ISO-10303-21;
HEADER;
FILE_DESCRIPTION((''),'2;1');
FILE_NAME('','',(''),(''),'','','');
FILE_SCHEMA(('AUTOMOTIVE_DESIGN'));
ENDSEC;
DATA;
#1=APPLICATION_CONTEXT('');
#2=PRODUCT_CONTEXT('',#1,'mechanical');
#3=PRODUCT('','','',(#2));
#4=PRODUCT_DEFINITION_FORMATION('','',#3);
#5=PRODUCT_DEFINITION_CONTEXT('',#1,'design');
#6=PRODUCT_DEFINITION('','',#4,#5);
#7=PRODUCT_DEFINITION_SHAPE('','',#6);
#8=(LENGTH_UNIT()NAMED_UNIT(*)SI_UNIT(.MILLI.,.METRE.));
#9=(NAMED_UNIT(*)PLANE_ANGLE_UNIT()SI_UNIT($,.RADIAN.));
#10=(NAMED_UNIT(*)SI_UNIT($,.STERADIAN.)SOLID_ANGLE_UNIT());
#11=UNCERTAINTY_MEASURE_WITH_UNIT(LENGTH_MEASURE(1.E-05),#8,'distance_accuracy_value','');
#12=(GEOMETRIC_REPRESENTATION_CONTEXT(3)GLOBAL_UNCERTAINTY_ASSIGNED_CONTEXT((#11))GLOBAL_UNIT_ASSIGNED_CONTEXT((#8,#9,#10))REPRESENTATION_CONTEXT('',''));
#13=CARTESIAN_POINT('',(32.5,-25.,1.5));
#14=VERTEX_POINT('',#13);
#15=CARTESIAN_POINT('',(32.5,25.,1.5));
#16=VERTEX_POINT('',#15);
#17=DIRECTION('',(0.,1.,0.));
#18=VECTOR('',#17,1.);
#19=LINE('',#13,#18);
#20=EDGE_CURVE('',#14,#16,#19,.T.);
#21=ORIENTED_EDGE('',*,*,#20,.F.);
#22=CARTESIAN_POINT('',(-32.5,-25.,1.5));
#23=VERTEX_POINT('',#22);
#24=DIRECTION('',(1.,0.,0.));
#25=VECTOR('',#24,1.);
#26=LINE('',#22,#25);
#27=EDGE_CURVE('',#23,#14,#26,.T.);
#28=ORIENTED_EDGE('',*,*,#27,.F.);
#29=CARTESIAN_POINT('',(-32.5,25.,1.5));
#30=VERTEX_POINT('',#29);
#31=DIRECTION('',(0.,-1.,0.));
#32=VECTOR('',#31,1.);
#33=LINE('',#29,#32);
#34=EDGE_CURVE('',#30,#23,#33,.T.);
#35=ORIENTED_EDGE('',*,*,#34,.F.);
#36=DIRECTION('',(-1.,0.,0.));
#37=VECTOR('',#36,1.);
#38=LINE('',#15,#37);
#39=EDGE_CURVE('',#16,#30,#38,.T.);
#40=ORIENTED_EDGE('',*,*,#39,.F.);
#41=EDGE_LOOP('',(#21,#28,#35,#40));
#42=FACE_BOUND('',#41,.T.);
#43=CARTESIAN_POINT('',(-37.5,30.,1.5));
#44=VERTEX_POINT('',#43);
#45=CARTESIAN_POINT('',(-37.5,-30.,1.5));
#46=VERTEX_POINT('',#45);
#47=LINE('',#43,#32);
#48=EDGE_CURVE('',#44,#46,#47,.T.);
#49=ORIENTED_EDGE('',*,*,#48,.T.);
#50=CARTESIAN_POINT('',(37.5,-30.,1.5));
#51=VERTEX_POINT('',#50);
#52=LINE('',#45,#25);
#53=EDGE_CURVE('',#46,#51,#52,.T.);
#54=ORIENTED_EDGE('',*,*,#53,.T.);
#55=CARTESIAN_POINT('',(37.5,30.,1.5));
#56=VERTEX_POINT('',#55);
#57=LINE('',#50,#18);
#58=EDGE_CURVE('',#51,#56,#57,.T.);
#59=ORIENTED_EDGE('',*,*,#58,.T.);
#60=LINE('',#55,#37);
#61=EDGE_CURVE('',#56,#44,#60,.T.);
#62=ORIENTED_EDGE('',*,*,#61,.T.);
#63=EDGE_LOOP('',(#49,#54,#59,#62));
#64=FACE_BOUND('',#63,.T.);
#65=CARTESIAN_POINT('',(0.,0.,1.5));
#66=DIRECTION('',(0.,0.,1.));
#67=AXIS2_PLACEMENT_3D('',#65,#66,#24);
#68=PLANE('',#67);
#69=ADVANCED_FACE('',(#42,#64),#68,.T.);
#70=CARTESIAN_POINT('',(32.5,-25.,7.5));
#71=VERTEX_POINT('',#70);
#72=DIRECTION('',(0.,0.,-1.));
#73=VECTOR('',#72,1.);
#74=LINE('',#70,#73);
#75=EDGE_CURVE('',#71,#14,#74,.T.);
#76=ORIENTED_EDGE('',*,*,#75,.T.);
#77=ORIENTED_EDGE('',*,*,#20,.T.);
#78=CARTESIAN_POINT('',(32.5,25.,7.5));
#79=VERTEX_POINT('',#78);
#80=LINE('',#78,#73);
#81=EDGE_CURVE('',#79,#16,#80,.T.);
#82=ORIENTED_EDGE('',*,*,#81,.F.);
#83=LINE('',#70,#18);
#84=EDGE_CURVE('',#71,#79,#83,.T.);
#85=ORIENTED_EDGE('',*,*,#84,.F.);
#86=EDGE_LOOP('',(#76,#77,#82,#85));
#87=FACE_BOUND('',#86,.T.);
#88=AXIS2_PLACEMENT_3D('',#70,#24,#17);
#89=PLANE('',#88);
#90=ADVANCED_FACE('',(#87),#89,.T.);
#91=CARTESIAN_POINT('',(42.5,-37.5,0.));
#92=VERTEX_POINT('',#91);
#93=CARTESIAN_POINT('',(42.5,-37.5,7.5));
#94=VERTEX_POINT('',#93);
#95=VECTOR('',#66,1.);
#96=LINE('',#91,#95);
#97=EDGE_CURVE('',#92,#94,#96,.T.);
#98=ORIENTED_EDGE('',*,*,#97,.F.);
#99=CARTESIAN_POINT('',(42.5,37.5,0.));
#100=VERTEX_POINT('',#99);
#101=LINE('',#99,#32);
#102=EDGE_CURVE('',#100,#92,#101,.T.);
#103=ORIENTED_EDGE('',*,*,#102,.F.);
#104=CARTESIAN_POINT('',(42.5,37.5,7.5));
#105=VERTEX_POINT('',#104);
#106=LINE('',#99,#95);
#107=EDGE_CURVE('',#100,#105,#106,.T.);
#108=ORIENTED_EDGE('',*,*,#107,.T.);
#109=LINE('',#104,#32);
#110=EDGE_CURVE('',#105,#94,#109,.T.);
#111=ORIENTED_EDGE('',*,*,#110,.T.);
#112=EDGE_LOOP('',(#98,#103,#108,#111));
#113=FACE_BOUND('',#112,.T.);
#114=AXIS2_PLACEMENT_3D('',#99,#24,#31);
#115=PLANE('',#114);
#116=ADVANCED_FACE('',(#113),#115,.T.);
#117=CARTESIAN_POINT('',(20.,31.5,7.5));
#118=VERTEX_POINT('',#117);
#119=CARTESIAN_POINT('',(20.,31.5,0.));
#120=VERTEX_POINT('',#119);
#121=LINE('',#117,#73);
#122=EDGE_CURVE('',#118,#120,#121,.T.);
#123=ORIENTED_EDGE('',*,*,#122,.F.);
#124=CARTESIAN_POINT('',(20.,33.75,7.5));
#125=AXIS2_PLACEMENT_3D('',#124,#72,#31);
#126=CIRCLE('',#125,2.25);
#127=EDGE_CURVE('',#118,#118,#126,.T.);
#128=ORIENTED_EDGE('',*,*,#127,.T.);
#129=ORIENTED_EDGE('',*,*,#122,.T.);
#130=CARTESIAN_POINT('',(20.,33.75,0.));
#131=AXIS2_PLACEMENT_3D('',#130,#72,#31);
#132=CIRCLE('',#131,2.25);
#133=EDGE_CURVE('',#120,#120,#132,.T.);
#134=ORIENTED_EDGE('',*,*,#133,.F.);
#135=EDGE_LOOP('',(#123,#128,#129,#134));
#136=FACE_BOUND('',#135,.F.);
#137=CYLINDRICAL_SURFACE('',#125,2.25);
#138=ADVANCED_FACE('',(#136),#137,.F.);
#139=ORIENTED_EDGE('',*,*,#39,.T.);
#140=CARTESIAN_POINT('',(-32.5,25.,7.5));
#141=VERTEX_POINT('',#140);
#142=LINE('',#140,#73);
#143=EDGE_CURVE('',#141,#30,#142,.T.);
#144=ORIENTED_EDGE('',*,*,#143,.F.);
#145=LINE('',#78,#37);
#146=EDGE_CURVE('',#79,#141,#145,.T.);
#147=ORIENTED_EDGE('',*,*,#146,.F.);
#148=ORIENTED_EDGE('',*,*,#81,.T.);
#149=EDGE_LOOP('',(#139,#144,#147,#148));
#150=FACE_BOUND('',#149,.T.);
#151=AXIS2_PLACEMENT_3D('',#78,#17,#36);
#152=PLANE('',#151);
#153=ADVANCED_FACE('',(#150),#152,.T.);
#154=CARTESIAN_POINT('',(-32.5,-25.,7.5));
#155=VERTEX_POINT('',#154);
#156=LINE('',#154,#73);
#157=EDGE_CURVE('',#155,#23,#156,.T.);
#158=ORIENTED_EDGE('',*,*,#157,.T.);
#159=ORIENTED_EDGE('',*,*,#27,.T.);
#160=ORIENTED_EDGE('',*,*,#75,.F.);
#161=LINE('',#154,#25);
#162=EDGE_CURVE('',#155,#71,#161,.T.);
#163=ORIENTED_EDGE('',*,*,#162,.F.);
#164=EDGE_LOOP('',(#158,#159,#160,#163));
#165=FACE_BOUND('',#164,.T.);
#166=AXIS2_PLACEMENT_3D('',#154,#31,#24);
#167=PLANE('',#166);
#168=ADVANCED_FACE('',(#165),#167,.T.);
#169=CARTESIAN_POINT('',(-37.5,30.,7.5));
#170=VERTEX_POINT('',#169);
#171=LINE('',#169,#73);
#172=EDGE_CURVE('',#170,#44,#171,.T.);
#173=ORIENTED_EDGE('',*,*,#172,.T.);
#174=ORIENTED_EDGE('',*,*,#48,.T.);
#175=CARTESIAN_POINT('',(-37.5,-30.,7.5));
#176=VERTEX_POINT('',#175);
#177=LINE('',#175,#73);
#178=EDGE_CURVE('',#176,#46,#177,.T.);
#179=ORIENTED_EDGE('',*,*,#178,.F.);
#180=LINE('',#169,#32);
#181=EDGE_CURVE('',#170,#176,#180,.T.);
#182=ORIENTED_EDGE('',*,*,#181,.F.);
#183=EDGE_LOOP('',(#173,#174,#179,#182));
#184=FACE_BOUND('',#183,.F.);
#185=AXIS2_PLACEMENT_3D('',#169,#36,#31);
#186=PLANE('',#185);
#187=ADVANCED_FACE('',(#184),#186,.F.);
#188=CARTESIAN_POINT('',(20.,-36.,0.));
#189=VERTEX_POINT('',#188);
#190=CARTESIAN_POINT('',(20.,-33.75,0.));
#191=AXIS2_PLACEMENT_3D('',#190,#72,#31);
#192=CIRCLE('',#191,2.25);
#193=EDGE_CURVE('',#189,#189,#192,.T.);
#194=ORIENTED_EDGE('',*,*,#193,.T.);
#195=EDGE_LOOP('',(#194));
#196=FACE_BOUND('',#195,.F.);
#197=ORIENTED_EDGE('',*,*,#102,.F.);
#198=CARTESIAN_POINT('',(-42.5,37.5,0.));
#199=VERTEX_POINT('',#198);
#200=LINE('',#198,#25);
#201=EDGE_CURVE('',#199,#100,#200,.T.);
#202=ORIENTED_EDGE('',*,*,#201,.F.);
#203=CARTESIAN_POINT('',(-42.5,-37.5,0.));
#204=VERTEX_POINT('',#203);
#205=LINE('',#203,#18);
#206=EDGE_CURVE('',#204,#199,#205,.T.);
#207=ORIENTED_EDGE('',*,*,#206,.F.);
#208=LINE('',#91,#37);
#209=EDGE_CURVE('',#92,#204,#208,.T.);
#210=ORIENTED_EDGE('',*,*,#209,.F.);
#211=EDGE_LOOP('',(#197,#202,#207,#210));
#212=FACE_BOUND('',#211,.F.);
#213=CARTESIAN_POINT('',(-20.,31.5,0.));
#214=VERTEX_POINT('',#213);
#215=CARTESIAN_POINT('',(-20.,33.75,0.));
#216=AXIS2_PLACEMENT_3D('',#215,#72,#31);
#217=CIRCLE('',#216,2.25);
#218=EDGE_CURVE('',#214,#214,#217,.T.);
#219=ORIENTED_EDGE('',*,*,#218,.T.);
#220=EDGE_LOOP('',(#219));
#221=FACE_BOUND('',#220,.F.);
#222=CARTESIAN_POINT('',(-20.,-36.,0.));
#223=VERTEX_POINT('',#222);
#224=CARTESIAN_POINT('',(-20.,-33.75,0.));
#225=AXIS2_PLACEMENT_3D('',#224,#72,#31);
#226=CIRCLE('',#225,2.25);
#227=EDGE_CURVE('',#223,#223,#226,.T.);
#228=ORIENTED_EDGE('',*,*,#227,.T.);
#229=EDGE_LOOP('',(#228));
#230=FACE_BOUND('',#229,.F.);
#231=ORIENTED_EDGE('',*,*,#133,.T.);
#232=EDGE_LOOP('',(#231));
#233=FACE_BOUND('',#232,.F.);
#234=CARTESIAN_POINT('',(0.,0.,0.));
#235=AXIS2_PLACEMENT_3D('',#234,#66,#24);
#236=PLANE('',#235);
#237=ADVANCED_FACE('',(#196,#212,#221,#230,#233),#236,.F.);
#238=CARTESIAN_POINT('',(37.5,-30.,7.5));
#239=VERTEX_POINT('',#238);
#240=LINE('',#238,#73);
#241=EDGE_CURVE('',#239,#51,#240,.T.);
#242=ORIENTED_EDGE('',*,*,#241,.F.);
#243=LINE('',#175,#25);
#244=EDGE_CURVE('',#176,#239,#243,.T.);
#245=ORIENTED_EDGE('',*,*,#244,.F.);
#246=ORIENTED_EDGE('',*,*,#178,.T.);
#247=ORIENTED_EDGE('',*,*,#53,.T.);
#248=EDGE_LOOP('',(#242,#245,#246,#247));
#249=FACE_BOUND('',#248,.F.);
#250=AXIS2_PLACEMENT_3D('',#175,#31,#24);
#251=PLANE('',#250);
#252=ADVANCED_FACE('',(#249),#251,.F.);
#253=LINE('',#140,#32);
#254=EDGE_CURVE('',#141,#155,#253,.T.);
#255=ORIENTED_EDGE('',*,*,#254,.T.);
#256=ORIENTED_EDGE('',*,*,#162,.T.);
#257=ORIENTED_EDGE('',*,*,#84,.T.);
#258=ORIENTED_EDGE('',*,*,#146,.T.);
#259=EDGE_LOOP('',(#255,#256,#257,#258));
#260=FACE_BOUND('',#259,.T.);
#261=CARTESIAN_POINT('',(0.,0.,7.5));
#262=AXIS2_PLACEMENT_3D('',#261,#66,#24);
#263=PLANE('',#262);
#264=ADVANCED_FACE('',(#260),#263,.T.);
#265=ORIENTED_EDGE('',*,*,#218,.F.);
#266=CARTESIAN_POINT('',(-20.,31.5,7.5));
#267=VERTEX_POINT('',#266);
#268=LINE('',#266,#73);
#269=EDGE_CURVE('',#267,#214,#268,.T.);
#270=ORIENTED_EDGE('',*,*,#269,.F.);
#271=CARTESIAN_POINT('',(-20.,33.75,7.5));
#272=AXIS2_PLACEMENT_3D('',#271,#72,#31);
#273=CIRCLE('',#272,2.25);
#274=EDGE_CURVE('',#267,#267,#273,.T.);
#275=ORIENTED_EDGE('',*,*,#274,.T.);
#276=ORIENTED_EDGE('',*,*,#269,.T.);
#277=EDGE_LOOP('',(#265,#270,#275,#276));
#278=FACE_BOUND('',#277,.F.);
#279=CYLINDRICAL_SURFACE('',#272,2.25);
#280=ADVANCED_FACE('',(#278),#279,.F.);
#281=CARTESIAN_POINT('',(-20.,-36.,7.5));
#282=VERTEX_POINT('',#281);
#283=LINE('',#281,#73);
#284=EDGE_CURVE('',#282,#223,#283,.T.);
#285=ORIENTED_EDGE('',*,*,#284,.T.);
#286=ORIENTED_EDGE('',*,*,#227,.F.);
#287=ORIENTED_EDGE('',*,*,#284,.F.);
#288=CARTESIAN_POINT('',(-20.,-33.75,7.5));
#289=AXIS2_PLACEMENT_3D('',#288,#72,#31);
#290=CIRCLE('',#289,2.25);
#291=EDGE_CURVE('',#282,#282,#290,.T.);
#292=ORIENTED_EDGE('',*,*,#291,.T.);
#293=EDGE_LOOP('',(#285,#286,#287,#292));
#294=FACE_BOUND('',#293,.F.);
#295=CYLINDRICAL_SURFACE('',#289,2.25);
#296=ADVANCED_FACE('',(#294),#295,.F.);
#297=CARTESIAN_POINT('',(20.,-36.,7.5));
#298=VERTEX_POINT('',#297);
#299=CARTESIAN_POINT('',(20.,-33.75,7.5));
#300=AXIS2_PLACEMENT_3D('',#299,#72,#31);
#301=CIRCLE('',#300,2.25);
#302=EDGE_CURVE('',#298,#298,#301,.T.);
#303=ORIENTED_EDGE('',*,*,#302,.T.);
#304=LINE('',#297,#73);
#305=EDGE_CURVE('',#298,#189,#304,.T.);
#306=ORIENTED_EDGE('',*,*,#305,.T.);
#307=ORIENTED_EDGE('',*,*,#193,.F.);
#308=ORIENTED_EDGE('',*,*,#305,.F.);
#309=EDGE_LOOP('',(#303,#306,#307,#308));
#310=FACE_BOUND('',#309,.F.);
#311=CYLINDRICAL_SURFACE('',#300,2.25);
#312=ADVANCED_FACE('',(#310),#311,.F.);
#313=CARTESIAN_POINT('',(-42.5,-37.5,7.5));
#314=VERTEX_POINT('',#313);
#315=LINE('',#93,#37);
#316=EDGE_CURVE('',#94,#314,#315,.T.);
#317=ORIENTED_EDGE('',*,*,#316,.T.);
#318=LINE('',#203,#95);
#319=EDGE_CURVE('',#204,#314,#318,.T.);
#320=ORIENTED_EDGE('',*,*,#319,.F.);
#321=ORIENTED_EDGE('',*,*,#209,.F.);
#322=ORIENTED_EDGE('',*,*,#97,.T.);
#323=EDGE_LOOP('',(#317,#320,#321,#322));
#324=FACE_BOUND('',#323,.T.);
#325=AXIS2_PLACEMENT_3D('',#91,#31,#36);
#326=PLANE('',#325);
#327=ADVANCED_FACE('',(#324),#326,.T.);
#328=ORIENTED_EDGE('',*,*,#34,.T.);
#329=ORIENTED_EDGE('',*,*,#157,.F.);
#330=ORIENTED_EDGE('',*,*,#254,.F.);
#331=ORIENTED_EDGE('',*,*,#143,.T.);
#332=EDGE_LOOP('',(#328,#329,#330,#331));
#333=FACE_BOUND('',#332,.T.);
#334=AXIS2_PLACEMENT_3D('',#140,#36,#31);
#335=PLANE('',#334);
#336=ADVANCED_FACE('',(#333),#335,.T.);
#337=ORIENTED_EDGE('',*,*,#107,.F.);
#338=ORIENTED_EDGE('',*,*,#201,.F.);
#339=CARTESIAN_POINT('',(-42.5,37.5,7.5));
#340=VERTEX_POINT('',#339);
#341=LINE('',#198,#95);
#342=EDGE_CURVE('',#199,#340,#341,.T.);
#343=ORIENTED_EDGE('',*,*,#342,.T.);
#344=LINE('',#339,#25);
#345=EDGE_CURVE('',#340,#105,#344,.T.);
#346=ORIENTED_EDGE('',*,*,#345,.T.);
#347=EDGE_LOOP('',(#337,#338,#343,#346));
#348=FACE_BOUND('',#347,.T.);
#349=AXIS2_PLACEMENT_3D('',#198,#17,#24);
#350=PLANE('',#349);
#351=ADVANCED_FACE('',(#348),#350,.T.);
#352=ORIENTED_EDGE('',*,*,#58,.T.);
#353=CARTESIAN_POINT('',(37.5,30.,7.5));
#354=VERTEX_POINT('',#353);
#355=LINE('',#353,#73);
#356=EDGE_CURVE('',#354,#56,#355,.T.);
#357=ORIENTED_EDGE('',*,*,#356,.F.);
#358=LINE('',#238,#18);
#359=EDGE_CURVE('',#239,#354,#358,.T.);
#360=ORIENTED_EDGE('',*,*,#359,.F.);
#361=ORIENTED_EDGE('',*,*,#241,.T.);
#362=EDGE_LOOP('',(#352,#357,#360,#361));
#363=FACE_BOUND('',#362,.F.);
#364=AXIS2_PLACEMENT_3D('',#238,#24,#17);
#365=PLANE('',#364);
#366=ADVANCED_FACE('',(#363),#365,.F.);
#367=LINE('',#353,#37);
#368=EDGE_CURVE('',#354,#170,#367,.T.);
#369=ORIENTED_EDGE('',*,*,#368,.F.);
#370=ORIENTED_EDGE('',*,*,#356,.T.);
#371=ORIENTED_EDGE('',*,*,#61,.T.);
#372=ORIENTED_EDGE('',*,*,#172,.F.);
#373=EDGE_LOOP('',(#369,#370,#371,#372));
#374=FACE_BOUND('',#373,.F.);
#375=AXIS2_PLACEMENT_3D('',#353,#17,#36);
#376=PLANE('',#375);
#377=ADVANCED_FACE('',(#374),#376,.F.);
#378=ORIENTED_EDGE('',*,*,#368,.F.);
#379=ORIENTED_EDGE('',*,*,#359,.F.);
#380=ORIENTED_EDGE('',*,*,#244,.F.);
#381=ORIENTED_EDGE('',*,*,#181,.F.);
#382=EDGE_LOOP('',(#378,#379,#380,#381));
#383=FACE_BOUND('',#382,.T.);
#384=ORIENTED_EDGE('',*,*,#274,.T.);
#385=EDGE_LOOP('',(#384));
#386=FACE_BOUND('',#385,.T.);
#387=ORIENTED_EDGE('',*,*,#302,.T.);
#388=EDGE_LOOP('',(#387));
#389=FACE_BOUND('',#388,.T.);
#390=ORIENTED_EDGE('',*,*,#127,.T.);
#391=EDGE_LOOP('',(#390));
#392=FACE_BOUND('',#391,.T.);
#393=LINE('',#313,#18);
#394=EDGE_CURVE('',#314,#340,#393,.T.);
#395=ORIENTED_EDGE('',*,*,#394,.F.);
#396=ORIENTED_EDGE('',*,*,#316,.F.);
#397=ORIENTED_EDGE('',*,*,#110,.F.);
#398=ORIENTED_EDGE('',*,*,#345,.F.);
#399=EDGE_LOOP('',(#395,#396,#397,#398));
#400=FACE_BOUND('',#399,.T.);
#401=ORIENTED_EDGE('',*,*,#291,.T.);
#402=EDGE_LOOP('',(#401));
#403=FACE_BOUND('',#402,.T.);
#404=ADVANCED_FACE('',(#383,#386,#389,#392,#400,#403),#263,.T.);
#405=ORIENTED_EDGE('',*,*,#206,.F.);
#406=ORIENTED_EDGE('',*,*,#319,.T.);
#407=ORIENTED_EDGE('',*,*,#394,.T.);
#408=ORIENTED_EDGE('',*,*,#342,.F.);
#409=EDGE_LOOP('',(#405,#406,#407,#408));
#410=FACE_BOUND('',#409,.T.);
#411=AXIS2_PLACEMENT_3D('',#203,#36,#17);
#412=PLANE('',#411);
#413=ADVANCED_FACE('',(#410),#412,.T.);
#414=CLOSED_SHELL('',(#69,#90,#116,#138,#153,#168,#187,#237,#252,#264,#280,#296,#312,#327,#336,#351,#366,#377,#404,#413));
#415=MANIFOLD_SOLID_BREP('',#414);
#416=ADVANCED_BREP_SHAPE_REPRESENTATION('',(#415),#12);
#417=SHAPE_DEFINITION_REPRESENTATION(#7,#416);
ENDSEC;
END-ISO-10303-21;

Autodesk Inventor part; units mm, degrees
ref_plane "YZ Plane" through (0, 0, 0) normal (1, 0, 0) x (0, 1, 0)
ref_plane "XZ Plane" through (0, 0, 0) normal (0, 1, 0) x (-1, 0, 0)
ref_plane "XY Plane" through (0, 0, 0) normal (0, 0, 1) x (1, 0, 0)
sketch "Sketch1" plane through (0, 0, 0) normal (0, 0, 1) x (1, 0, 0)
  line L0 (-42.5, 37.5) -> (42.5, 37.5)
  line L1 (42.5, 37.5) -> (42.5, -37.5)
  line L2 (42.5, -37.5) -> (-42.5, -37.5)
  line L3 (-42.5, -37.5) -> (-42.5, 37.5)
  point P0 (0, 0)
  dimension "d0" = 85
  dimension "d1" = 75
  dimension "d2" = 37.5
  dimension "d3" = 42.5
extrude "Extrusion1" add sketch "Sketch1" along normal blind 7.5
sketch "Sketch2" plane through (0, 0, 7.5) normal (0, 0, 1) x (1, 0, 0)
  point P0 (0, 0)
  point P1 (20, -33.75)
  point P2 (-20, -33.75)
  point P3 (-20, 33.75)
  point P4 (20, 33.75)
  dimension "d6" = 40
  dimension "d7" = 20
  dimension "d8" = 67.5
  dimension "d9" = 33.75
hole "Hole1" at (20, -33.75, 7.5) at (-20, -33.75, 7.5) at (-20, 33.75, 7.5) at (20, 33.75, 7.5) direction (0, 0, -1) diameter 4.5 depth 9.525 tip angle 118 clearance for "Countersunk Flat Head Screw ISO 2009/7046" size "M4" standard "ISO"
sketch "Sketch3" plane through (0, 0, 7.5) normal (0, 0, 1) x (1, 0, 0)
  line L0 (-37.5, -30) -> (37.5, -30)
  line L1 (37.5, -30) -> (37.5, 30)
  line L2 (37.5, 30) -> (-37.5, 30)
  line L3 (-37.5, 30) -> (-37.5, -30)
  line L4 (-32.5, -25) -> (32.5, -25)
  line L5 (32.5, -25) -> (32.5, 25)
  line L6 (32.5, 25) -> (-32.5, 25)
  line L7 (-32.5, 25) -> (-32.5, -25)
  point P0 (0, 0)
  dimension "d19" = 75
  dimension "d22" = 60
  dimension "d23" = 30
  dimension "d24" = 5
  dimension "d26" = 37.5
  dimension "d27" = 5
  dimension "d29" = 5
  dimension "d30" = 5
extrude "Extrusion2" cut sketch "Sketch3" against normal blind 6
equation "\"d2\" = 0.5 * d1"
equation "\"d3\" = 0.5 * d0"
equation "\"d7\" = 0.5 * d6"
equation "\"d9\" = 0.5 * d8"
equation "\"d23\" = 0.5 * d22"
equation "\"d26\" = 0.5 * d19"
equation "\"d27\" = d24"
equation "\"d29\" = d24"
equation "\"d30\" = d24"
properties part number "smallSampleHolder"
